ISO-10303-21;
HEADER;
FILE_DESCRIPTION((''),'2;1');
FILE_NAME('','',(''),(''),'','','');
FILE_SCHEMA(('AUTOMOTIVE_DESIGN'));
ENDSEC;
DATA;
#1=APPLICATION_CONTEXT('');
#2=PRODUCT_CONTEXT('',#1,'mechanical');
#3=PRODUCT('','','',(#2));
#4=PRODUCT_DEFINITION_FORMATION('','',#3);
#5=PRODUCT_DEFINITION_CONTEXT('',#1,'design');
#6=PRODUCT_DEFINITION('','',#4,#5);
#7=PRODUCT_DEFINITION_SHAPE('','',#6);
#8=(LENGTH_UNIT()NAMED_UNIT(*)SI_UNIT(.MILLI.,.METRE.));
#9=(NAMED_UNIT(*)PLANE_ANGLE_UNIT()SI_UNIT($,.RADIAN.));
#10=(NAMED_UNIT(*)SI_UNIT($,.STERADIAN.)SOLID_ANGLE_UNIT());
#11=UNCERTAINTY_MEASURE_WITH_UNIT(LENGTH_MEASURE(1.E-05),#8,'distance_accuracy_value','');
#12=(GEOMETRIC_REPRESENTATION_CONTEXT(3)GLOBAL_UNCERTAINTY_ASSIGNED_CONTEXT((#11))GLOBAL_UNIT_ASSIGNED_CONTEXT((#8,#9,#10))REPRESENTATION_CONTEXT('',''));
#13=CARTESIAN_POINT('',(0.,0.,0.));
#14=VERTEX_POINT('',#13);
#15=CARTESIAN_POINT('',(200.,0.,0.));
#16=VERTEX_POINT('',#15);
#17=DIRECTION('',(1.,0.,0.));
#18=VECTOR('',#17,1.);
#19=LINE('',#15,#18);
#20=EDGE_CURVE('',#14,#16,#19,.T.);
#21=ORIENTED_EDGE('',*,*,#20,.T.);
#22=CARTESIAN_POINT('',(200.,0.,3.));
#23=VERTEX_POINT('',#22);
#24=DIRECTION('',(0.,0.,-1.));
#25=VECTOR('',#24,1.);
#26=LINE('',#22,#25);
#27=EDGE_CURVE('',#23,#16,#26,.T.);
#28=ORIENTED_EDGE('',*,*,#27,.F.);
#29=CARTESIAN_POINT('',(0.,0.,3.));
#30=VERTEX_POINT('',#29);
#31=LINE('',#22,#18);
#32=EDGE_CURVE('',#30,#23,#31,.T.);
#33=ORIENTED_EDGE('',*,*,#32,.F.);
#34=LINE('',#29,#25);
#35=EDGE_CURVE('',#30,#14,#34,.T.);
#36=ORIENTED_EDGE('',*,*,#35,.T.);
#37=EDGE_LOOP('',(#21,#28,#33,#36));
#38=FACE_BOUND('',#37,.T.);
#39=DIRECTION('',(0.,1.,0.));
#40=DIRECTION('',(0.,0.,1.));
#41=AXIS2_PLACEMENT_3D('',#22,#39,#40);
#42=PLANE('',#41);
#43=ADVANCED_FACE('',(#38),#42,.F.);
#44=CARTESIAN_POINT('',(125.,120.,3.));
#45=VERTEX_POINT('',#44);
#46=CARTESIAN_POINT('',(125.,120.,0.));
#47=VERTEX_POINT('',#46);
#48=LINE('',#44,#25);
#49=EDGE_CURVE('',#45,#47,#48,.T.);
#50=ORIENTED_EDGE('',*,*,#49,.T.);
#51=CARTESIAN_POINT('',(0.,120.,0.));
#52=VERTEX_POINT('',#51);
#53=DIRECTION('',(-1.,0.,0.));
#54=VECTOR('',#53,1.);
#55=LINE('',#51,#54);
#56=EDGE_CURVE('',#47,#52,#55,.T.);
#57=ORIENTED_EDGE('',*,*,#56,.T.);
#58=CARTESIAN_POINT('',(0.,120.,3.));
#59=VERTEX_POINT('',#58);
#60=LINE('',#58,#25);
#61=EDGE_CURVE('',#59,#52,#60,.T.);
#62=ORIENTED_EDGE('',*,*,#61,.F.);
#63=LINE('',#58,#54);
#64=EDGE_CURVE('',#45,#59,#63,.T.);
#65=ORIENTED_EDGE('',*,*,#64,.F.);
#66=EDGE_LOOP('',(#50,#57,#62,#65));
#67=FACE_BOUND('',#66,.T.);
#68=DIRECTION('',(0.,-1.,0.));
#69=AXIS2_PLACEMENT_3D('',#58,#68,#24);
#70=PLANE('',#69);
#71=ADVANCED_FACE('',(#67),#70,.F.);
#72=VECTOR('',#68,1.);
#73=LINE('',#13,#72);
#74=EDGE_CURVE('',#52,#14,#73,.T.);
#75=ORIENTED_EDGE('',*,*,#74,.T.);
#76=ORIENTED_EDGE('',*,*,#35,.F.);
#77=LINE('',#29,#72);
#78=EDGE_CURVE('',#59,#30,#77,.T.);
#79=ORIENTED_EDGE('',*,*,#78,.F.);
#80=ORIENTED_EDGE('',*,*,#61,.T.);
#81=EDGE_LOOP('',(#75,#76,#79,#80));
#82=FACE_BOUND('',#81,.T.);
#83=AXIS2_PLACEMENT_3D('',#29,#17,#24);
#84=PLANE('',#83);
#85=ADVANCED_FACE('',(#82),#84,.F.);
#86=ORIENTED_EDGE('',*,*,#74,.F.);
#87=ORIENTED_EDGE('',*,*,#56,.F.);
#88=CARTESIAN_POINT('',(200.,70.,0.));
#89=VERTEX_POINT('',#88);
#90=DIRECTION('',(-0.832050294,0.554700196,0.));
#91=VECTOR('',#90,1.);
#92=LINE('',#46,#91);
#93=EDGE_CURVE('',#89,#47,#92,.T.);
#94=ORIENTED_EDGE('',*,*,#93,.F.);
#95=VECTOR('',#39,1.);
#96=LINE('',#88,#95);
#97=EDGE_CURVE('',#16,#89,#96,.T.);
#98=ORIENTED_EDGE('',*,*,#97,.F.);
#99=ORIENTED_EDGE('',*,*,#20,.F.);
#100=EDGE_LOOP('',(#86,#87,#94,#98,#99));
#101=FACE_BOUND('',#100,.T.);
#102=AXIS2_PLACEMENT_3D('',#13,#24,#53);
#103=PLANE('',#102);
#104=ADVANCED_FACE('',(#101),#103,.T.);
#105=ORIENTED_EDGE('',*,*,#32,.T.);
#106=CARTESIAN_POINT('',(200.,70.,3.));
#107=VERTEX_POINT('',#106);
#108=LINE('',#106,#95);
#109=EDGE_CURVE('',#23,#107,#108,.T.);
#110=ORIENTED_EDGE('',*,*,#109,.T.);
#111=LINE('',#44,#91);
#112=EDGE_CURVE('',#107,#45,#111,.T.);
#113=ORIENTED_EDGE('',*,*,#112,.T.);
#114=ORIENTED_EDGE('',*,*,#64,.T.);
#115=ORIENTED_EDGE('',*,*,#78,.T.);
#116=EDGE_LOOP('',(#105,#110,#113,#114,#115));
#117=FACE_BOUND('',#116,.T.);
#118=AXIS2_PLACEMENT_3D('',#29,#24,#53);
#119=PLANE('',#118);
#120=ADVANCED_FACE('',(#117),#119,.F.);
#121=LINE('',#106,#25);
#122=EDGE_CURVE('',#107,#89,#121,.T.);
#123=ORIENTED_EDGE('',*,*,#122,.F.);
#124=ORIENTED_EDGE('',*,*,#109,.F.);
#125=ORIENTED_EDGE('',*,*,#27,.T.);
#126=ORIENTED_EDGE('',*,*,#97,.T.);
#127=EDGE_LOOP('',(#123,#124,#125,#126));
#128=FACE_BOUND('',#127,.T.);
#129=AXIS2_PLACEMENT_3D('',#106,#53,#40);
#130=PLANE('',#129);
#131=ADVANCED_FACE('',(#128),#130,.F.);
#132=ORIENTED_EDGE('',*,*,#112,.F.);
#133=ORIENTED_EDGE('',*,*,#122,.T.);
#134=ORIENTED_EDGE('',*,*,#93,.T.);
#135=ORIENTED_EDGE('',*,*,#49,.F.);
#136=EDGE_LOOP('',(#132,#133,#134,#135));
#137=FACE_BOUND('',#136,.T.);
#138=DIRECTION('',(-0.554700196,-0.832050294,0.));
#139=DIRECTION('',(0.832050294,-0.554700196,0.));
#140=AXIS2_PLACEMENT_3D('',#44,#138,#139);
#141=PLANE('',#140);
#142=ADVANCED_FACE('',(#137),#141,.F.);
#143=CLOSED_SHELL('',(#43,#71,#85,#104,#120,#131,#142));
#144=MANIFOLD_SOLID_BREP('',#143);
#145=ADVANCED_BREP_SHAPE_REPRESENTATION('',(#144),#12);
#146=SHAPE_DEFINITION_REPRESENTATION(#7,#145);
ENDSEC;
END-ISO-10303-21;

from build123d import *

# Parameters (mm, degrees)
BOSS_EXTRUDE1_DEPTH = 3


with BuildPart() as part:
    # Sketch1 → Boss-Extrude1 (new body)
    with BuildSketch(Plane.XY):
        Polygon((0, 0), (0, 120), (125, 120), (200, 70), (200, 0), align=None)
    extrude(amount=BOSS_EXTRUDE1_DEPTH)


solid = part.part
